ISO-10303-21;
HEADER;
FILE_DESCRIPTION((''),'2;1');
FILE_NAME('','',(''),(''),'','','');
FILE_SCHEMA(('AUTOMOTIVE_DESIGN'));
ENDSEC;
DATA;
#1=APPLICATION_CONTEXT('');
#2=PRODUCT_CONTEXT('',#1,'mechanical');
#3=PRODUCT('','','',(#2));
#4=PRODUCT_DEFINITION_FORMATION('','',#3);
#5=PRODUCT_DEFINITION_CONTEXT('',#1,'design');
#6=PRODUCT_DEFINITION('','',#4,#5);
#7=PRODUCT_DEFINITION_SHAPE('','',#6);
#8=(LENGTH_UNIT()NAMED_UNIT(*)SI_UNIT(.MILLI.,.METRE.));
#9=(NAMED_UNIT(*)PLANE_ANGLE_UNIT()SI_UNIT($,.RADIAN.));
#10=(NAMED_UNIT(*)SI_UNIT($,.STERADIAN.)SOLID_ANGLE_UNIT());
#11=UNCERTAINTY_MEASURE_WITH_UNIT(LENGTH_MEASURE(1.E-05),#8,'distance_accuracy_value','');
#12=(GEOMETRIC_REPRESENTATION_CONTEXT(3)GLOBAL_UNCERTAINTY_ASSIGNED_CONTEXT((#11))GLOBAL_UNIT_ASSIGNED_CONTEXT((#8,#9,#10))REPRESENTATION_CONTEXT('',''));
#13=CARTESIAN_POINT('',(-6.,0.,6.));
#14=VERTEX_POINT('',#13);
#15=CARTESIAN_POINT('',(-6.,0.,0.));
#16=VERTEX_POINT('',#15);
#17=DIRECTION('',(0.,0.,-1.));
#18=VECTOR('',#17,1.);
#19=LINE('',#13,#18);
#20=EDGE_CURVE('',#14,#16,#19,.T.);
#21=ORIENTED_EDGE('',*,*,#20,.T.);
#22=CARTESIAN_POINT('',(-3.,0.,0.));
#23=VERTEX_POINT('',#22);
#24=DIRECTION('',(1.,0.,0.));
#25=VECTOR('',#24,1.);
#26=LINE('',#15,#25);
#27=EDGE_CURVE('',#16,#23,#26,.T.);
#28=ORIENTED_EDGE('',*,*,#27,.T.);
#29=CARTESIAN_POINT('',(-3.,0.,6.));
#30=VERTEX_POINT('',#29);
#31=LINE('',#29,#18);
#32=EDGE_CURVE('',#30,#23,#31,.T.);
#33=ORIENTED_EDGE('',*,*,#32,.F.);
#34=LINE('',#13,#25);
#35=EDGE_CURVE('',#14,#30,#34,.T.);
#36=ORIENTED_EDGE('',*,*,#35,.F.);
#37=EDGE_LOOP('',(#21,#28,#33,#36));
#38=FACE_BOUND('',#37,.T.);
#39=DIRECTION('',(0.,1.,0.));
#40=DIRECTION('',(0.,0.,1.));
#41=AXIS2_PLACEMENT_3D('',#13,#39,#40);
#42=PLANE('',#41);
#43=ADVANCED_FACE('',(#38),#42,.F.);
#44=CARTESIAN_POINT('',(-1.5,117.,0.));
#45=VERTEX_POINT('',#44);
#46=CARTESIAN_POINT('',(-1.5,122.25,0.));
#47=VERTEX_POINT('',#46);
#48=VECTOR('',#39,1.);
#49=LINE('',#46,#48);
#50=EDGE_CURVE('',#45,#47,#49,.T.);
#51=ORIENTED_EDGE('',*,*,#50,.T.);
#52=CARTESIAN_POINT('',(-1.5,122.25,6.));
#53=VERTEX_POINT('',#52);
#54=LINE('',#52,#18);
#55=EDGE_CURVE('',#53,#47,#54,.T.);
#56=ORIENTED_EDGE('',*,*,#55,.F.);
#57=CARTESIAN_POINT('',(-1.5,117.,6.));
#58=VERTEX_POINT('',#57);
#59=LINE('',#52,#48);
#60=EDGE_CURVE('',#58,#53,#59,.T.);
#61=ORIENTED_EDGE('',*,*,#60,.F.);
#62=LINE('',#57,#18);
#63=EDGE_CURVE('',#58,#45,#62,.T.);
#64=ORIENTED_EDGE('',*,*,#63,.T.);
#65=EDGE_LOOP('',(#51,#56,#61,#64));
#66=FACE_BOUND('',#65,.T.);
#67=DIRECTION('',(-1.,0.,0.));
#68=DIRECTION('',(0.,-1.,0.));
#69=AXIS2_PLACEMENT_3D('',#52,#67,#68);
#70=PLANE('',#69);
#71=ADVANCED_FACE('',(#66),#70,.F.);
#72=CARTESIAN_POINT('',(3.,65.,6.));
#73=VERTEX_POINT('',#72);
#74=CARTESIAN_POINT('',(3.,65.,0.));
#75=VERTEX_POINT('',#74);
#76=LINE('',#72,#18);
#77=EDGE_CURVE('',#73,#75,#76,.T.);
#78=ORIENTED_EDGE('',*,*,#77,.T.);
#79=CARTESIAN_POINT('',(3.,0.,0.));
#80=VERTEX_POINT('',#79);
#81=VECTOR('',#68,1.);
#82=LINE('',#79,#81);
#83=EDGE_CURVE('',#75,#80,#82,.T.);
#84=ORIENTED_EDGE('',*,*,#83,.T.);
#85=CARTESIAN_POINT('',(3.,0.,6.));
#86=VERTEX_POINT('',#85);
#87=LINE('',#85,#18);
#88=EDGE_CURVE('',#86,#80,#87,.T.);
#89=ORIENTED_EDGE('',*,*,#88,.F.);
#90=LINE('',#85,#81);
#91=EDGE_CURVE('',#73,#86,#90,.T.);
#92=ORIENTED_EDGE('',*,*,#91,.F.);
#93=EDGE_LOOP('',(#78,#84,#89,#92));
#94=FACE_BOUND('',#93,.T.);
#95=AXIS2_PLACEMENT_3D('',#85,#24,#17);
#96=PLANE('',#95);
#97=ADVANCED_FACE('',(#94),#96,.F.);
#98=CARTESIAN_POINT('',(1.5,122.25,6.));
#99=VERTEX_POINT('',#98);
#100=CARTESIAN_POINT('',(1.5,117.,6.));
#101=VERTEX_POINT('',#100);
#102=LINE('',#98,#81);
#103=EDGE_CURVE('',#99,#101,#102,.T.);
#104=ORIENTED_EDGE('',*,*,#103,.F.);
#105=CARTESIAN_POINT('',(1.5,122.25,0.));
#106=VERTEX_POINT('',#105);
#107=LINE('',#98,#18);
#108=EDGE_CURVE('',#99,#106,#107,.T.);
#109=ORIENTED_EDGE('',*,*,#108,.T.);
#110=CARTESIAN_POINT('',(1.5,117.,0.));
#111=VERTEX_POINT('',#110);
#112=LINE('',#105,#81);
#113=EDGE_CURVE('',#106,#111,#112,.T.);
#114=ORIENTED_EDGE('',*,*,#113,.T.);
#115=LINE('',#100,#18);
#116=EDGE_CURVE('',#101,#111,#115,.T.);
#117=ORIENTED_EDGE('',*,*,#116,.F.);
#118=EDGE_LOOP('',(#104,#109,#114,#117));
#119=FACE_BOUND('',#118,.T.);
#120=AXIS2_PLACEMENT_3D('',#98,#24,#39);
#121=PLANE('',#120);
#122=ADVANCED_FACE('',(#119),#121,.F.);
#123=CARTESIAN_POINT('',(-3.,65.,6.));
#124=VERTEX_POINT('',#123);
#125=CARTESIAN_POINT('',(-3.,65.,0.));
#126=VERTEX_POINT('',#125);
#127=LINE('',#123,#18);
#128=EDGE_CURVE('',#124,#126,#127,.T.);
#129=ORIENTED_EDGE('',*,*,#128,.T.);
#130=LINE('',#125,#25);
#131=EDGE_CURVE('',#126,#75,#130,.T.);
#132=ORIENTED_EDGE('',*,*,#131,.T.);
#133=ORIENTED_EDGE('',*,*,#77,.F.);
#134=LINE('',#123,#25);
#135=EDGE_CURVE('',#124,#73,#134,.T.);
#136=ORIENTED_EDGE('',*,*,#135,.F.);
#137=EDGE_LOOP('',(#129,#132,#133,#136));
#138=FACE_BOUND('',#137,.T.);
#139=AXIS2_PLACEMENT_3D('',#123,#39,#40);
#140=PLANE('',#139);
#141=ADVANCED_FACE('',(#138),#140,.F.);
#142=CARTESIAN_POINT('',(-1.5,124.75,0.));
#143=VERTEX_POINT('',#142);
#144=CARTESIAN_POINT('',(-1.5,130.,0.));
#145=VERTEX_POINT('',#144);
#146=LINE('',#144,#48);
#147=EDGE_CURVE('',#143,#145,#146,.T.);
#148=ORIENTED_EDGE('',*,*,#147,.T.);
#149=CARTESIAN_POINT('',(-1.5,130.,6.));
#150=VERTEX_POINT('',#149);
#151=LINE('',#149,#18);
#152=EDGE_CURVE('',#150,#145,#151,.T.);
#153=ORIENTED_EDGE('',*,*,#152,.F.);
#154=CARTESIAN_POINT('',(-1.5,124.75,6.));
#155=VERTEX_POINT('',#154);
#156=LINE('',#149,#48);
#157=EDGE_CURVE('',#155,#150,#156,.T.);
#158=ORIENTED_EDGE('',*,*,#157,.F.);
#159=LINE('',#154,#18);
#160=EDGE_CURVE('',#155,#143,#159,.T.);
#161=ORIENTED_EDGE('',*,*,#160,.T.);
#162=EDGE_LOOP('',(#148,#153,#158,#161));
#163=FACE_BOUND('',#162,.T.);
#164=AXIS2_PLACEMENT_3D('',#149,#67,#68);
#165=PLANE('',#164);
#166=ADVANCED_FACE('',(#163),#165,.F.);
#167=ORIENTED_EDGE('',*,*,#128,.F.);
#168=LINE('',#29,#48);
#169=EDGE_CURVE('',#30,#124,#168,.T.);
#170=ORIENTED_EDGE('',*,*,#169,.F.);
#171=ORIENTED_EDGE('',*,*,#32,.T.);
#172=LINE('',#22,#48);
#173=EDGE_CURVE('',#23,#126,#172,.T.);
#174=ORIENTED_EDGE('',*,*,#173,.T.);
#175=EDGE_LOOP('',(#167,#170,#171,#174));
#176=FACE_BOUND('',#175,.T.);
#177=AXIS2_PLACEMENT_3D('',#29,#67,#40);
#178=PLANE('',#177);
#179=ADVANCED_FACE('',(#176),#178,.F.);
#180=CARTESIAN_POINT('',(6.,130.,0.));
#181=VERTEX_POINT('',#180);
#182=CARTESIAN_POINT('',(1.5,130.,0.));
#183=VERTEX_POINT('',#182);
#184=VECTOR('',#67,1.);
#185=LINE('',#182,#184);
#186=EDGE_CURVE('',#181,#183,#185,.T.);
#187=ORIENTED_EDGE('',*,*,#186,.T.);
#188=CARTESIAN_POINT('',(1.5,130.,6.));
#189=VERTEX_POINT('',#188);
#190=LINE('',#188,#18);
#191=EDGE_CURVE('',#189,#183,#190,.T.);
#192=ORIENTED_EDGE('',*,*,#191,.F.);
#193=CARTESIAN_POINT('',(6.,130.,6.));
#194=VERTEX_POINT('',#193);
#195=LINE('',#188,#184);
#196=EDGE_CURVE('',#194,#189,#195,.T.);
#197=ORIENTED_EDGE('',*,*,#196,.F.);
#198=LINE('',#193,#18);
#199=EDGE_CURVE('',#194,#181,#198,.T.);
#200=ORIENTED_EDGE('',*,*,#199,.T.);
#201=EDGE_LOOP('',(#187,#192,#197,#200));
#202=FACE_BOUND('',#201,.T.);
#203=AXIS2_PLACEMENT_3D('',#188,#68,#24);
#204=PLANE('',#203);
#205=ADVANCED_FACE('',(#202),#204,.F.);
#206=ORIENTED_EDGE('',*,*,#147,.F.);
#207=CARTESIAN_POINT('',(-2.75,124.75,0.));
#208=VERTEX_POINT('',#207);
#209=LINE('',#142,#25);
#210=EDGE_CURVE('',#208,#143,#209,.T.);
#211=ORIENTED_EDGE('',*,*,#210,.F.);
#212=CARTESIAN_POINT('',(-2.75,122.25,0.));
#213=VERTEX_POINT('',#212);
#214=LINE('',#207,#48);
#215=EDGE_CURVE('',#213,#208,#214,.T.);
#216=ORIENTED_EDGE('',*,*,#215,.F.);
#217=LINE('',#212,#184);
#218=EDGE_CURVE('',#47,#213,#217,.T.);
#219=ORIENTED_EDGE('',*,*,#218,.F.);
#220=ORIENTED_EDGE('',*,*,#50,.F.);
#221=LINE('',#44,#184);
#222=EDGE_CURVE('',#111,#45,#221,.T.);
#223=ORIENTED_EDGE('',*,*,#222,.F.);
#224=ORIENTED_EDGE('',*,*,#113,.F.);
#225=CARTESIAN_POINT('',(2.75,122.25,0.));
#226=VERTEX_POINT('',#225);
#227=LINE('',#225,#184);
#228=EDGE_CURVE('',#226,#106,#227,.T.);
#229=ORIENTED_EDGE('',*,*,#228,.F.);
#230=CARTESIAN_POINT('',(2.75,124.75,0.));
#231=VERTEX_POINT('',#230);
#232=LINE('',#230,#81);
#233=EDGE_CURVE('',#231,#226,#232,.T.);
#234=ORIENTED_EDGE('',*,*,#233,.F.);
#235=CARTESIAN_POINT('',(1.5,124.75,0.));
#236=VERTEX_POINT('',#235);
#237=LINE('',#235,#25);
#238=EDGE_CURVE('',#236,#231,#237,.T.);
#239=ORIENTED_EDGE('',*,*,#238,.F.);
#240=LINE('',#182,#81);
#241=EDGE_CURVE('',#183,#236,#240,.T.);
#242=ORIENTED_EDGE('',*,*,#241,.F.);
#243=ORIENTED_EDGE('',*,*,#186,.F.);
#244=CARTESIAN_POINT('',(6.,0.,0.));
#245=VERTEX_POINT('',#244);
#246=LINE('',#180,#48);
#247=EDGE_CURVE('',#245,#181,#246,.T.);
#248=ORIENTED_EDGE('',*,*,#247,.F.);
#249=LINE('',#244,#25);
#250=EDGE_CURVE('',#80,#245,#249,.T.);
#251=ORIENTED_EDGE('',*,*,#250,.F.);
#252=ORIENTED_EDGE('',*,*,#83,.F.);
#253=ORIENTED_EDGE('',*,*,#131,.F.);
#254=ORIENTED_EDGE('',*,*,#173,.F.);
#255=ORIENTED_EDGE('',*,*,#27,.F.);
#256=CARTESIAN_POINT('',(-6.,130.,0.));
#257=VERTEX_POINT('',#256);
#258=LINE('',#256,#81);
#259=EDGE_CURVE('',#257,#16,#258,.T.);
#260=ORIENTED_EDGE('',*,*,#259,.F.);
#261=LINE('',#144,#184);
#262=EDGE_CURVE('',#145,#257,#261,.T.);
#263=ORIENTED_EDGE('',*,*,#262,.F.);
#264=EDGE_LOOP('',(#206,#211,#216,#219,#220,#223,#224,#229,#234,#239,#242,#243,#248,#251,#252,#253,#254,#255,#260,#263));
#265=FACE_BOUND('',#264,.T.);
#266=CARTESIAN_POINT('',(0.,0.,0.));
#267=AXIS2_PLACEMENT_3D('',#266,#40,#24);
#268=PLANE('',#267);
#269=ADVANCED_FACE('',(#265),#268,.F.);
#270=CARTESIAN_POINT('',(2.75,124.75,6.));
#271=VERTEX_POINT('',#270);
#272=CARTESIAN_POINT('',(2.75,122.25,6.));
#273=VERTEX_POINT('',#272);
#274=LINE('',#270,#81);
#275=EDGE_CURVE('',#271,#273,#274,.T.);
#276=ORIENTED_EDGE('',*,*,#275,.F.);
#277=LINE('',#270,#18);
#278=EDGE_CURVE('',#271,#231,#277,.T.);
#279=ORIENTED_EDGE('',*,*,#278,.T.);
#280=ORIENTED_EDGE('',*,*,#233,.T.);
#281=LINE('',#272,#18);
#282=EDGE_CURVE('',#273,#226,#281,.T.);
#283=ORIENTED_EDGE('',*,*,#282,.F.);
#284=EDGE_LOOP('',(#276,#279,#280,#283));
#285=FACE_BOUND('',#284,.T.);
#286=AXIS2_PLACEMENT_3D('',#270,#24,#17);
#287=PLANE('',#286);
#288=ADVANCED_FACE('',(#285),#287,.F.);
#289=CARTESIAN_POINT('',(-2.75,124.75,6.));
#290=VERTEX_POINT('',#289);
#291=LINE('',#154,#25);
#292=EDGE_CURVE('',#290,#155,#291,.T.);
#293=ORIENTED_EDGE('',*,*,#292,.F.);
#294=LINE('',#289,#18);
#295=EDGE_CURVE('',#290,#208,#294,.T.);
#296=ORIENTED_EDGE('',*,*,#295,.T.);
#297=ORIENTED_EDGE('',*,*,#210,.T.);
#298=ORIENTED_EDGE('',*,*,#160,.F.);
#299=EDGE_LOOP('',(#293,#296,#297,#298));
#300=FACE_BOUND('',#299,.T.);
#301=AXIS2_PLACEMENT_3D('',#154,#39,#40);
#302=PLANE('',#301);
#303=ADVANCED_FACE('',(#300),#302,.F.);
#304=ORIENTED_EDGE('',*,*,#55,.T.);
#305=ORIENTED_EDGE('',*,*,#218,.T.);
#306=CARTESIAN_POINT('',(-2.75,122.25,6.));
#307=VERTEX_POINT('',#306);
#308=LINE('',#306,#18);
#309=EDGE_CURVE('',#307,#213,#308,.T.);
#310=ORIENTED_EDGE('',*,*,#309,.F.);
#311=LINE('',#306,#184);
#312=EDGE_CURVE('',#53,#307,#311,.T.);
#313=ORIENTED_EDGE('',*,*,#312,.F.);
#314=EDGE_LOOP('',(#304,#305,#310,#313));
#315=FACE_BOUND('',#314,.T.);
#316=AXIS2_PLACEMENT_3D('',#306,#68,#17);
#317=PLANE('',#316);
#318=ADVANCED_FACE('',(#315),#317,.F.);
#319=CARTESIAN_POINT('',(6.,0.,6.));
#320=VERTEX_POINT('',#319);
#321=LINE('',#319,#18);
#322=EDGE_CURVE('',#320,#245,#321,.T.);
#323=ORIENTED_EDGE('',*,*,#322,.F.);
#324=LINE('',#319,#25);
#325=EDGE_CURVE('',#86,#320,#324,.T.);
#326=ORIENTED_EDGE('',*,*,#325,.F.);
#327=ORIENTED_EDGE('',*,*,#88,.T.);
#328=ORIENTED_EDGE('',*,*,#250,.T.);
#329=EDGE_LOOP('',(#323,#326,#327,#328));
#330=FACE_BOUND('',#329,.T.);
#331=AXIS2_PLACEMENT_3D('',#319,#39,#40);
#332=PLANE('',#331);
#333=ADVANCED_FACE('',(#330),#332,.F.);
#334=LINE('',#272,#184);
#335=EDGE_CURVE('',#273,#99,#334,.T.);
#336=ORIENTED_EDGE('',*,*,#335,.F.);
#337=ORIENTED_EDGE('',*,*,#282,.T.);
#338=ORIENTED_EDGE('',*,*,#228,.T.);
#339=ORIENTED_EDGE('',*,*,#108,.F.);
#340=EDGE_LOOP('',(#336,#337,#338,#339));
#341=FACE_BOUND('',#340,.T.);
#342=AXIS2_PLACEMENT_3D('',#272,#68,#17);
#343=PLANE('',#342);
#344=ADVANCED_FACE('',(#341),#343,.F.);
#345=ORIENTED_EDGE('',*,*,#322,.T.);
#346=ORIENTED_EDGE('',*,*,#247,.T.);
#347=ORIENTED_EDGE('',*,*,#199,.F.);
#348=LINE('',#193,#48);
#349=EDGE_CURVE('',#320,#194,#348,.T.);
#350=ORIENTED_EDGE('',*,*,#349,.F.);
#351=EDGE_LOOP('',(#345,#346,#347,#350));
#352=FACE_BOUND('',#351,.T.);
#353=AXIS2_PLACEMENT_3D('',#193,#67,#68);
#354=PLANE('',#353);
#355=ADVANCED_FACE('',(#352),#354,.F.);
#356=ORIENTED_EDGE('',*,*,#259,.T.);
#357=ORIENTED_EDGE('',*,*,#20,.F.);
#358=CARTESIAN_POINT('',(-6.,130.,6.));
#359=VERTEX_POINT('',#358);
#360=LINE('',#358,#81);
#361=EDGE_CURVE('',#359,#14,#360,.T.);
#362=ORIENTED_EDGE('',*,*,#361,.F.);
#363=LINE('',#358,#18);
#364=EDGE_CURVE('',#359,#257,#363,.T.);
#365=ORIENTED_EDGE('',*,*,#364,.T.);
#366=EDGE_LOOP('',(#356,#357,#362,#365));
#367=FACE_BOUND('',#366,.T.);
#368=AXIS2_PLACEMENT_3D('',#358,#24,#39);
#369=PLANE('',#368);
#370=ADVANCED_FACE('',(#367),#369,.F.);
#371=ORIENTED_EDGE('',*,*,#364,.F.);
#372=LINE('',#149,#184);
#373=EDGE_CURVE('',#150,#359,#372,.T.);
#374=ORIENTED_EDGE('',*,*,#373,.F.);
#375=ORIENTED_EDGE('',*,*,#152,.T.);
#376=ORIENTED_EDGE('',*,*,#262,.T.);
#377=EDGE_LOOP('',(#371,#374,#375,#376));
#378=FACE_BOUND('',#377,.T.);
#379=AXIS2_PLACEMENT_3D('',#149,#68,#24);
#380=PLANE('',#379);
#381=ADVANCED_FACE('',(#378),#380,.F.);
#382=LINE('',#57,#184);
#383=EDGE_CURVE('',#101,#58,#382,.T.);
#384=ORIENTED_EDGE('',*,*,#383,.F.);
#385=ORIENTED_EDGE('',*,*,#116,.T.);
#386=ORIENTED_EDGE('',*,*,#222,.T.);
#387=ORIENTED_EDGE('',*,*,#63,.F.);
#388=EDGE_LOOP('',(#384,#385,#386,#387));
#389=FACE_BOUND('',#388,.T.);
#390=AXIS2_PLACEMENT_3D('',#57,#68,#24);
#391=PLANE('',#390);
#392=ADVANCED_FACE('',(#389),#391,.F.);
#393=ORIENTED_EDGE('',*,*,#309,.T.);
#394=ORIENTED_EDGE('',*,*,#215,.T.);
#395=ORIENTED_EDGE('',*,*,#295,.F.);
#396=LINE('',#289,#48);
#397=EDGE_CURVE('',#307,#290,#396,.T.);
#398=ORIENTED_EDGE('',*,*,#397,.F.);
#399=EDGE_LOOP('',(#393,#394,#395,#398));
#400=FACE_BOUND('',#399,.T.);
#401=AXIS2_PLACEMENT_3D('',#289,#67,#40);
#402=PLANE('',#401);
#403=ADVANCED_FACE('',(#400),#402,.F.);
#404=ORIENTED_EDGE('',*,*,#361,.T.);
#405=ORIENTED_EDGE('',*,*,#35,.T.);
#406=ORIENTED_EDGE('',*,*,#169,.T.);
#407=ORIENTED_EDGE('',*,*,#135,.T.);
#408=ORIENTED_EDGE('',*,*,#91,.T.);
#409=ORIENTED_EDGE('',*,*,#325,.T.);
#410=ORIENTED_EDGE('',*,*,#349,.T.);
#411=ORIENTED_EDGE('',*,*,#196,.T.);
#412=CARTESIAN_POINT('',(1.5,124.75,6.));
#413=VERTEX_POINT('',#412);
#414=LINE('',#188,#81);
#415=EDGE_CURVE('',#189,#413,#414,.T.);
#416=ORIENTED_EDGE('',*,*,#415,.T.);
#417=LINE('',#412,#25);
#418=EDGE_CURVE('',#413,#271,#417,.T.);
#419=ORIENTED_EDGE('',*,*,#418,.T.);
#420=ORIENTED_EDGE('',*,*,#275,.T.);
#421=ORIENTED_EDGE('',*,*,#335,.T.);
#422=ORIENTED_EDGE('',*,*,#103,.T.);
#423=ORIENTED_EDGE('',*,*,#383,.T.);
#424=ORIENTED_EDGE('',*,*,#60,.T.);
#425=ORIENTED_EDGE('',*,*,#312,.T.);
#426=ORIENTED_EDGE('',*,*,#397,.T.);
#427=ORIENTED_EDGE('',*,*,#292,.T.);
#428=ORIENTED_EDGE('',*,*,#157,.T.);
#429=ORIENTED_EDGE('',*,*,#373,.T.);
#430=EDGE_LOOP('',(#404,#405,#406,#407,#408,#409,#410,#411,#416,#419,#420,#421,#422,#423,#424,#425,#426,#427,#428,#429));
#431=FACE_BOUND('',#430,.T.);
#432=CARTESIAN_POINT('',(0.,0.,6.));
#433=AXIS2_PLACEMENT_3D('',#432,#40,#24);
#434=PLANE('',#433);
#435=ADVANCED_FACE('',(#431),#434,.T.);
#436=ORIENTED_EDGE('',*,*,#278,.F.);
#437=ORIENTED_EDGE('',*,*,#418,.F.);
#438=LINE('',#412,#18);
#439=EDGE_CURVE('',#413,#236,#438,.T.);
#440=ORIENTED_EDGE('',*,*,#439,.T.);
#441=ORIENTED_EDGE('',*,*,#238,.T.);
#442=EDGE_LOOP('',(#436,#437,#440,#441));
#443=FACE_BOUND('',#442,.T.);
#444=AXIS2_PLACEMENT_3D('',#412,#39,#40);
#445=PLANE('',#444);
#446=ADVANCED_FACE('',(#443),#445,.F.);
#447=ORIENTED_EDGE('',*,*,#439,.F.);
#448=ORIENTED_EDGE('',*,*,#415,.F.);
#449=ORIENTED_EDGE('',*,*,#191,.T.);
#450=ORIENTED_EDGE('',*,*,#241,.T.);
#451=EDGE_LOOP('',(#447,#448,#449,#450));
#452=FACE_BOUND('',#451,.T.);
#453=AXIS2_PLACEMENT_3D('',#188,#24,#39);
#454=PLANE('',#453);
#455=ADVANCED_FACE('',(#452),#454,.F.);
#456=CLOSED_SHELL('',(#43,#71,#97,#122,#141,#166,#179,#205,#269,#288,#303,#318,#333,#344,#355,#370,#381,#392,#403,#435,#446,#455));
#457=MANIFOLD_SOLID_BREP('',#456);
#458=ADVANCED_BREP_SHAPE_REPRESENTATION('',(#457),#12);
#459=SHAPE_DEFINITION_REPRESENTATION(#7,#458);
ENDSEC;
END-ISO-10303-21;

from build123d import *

# Parameters (mm, degrees)
EXTRUDE_1_DEPTH = 6


with BuildPart() as part:
    # Эскиз1 → Бобышка-Вытянуть1 (new body)
    with BuildSketch(Plane.XY):
        Polygon((-1.5, 130), (-1.5, 124.75), (-2.75, 124.75), (-2.75, 122.25), (-1.5, 122.25), (-1.5, 117), (1.5, 117), (1.5, 122.25), (2.75, 122.25), (2.75, 124.75), (1.5, 124.75), (1.5, 130), (6, 130), (6, 0), (3, 0), (3, 65), (-3, 65), (-3, 0), (-6, 0), (-6, 130), align=None)
    extrude(amount=EXTRUDE_1_DEPTH)


solid = part.part
